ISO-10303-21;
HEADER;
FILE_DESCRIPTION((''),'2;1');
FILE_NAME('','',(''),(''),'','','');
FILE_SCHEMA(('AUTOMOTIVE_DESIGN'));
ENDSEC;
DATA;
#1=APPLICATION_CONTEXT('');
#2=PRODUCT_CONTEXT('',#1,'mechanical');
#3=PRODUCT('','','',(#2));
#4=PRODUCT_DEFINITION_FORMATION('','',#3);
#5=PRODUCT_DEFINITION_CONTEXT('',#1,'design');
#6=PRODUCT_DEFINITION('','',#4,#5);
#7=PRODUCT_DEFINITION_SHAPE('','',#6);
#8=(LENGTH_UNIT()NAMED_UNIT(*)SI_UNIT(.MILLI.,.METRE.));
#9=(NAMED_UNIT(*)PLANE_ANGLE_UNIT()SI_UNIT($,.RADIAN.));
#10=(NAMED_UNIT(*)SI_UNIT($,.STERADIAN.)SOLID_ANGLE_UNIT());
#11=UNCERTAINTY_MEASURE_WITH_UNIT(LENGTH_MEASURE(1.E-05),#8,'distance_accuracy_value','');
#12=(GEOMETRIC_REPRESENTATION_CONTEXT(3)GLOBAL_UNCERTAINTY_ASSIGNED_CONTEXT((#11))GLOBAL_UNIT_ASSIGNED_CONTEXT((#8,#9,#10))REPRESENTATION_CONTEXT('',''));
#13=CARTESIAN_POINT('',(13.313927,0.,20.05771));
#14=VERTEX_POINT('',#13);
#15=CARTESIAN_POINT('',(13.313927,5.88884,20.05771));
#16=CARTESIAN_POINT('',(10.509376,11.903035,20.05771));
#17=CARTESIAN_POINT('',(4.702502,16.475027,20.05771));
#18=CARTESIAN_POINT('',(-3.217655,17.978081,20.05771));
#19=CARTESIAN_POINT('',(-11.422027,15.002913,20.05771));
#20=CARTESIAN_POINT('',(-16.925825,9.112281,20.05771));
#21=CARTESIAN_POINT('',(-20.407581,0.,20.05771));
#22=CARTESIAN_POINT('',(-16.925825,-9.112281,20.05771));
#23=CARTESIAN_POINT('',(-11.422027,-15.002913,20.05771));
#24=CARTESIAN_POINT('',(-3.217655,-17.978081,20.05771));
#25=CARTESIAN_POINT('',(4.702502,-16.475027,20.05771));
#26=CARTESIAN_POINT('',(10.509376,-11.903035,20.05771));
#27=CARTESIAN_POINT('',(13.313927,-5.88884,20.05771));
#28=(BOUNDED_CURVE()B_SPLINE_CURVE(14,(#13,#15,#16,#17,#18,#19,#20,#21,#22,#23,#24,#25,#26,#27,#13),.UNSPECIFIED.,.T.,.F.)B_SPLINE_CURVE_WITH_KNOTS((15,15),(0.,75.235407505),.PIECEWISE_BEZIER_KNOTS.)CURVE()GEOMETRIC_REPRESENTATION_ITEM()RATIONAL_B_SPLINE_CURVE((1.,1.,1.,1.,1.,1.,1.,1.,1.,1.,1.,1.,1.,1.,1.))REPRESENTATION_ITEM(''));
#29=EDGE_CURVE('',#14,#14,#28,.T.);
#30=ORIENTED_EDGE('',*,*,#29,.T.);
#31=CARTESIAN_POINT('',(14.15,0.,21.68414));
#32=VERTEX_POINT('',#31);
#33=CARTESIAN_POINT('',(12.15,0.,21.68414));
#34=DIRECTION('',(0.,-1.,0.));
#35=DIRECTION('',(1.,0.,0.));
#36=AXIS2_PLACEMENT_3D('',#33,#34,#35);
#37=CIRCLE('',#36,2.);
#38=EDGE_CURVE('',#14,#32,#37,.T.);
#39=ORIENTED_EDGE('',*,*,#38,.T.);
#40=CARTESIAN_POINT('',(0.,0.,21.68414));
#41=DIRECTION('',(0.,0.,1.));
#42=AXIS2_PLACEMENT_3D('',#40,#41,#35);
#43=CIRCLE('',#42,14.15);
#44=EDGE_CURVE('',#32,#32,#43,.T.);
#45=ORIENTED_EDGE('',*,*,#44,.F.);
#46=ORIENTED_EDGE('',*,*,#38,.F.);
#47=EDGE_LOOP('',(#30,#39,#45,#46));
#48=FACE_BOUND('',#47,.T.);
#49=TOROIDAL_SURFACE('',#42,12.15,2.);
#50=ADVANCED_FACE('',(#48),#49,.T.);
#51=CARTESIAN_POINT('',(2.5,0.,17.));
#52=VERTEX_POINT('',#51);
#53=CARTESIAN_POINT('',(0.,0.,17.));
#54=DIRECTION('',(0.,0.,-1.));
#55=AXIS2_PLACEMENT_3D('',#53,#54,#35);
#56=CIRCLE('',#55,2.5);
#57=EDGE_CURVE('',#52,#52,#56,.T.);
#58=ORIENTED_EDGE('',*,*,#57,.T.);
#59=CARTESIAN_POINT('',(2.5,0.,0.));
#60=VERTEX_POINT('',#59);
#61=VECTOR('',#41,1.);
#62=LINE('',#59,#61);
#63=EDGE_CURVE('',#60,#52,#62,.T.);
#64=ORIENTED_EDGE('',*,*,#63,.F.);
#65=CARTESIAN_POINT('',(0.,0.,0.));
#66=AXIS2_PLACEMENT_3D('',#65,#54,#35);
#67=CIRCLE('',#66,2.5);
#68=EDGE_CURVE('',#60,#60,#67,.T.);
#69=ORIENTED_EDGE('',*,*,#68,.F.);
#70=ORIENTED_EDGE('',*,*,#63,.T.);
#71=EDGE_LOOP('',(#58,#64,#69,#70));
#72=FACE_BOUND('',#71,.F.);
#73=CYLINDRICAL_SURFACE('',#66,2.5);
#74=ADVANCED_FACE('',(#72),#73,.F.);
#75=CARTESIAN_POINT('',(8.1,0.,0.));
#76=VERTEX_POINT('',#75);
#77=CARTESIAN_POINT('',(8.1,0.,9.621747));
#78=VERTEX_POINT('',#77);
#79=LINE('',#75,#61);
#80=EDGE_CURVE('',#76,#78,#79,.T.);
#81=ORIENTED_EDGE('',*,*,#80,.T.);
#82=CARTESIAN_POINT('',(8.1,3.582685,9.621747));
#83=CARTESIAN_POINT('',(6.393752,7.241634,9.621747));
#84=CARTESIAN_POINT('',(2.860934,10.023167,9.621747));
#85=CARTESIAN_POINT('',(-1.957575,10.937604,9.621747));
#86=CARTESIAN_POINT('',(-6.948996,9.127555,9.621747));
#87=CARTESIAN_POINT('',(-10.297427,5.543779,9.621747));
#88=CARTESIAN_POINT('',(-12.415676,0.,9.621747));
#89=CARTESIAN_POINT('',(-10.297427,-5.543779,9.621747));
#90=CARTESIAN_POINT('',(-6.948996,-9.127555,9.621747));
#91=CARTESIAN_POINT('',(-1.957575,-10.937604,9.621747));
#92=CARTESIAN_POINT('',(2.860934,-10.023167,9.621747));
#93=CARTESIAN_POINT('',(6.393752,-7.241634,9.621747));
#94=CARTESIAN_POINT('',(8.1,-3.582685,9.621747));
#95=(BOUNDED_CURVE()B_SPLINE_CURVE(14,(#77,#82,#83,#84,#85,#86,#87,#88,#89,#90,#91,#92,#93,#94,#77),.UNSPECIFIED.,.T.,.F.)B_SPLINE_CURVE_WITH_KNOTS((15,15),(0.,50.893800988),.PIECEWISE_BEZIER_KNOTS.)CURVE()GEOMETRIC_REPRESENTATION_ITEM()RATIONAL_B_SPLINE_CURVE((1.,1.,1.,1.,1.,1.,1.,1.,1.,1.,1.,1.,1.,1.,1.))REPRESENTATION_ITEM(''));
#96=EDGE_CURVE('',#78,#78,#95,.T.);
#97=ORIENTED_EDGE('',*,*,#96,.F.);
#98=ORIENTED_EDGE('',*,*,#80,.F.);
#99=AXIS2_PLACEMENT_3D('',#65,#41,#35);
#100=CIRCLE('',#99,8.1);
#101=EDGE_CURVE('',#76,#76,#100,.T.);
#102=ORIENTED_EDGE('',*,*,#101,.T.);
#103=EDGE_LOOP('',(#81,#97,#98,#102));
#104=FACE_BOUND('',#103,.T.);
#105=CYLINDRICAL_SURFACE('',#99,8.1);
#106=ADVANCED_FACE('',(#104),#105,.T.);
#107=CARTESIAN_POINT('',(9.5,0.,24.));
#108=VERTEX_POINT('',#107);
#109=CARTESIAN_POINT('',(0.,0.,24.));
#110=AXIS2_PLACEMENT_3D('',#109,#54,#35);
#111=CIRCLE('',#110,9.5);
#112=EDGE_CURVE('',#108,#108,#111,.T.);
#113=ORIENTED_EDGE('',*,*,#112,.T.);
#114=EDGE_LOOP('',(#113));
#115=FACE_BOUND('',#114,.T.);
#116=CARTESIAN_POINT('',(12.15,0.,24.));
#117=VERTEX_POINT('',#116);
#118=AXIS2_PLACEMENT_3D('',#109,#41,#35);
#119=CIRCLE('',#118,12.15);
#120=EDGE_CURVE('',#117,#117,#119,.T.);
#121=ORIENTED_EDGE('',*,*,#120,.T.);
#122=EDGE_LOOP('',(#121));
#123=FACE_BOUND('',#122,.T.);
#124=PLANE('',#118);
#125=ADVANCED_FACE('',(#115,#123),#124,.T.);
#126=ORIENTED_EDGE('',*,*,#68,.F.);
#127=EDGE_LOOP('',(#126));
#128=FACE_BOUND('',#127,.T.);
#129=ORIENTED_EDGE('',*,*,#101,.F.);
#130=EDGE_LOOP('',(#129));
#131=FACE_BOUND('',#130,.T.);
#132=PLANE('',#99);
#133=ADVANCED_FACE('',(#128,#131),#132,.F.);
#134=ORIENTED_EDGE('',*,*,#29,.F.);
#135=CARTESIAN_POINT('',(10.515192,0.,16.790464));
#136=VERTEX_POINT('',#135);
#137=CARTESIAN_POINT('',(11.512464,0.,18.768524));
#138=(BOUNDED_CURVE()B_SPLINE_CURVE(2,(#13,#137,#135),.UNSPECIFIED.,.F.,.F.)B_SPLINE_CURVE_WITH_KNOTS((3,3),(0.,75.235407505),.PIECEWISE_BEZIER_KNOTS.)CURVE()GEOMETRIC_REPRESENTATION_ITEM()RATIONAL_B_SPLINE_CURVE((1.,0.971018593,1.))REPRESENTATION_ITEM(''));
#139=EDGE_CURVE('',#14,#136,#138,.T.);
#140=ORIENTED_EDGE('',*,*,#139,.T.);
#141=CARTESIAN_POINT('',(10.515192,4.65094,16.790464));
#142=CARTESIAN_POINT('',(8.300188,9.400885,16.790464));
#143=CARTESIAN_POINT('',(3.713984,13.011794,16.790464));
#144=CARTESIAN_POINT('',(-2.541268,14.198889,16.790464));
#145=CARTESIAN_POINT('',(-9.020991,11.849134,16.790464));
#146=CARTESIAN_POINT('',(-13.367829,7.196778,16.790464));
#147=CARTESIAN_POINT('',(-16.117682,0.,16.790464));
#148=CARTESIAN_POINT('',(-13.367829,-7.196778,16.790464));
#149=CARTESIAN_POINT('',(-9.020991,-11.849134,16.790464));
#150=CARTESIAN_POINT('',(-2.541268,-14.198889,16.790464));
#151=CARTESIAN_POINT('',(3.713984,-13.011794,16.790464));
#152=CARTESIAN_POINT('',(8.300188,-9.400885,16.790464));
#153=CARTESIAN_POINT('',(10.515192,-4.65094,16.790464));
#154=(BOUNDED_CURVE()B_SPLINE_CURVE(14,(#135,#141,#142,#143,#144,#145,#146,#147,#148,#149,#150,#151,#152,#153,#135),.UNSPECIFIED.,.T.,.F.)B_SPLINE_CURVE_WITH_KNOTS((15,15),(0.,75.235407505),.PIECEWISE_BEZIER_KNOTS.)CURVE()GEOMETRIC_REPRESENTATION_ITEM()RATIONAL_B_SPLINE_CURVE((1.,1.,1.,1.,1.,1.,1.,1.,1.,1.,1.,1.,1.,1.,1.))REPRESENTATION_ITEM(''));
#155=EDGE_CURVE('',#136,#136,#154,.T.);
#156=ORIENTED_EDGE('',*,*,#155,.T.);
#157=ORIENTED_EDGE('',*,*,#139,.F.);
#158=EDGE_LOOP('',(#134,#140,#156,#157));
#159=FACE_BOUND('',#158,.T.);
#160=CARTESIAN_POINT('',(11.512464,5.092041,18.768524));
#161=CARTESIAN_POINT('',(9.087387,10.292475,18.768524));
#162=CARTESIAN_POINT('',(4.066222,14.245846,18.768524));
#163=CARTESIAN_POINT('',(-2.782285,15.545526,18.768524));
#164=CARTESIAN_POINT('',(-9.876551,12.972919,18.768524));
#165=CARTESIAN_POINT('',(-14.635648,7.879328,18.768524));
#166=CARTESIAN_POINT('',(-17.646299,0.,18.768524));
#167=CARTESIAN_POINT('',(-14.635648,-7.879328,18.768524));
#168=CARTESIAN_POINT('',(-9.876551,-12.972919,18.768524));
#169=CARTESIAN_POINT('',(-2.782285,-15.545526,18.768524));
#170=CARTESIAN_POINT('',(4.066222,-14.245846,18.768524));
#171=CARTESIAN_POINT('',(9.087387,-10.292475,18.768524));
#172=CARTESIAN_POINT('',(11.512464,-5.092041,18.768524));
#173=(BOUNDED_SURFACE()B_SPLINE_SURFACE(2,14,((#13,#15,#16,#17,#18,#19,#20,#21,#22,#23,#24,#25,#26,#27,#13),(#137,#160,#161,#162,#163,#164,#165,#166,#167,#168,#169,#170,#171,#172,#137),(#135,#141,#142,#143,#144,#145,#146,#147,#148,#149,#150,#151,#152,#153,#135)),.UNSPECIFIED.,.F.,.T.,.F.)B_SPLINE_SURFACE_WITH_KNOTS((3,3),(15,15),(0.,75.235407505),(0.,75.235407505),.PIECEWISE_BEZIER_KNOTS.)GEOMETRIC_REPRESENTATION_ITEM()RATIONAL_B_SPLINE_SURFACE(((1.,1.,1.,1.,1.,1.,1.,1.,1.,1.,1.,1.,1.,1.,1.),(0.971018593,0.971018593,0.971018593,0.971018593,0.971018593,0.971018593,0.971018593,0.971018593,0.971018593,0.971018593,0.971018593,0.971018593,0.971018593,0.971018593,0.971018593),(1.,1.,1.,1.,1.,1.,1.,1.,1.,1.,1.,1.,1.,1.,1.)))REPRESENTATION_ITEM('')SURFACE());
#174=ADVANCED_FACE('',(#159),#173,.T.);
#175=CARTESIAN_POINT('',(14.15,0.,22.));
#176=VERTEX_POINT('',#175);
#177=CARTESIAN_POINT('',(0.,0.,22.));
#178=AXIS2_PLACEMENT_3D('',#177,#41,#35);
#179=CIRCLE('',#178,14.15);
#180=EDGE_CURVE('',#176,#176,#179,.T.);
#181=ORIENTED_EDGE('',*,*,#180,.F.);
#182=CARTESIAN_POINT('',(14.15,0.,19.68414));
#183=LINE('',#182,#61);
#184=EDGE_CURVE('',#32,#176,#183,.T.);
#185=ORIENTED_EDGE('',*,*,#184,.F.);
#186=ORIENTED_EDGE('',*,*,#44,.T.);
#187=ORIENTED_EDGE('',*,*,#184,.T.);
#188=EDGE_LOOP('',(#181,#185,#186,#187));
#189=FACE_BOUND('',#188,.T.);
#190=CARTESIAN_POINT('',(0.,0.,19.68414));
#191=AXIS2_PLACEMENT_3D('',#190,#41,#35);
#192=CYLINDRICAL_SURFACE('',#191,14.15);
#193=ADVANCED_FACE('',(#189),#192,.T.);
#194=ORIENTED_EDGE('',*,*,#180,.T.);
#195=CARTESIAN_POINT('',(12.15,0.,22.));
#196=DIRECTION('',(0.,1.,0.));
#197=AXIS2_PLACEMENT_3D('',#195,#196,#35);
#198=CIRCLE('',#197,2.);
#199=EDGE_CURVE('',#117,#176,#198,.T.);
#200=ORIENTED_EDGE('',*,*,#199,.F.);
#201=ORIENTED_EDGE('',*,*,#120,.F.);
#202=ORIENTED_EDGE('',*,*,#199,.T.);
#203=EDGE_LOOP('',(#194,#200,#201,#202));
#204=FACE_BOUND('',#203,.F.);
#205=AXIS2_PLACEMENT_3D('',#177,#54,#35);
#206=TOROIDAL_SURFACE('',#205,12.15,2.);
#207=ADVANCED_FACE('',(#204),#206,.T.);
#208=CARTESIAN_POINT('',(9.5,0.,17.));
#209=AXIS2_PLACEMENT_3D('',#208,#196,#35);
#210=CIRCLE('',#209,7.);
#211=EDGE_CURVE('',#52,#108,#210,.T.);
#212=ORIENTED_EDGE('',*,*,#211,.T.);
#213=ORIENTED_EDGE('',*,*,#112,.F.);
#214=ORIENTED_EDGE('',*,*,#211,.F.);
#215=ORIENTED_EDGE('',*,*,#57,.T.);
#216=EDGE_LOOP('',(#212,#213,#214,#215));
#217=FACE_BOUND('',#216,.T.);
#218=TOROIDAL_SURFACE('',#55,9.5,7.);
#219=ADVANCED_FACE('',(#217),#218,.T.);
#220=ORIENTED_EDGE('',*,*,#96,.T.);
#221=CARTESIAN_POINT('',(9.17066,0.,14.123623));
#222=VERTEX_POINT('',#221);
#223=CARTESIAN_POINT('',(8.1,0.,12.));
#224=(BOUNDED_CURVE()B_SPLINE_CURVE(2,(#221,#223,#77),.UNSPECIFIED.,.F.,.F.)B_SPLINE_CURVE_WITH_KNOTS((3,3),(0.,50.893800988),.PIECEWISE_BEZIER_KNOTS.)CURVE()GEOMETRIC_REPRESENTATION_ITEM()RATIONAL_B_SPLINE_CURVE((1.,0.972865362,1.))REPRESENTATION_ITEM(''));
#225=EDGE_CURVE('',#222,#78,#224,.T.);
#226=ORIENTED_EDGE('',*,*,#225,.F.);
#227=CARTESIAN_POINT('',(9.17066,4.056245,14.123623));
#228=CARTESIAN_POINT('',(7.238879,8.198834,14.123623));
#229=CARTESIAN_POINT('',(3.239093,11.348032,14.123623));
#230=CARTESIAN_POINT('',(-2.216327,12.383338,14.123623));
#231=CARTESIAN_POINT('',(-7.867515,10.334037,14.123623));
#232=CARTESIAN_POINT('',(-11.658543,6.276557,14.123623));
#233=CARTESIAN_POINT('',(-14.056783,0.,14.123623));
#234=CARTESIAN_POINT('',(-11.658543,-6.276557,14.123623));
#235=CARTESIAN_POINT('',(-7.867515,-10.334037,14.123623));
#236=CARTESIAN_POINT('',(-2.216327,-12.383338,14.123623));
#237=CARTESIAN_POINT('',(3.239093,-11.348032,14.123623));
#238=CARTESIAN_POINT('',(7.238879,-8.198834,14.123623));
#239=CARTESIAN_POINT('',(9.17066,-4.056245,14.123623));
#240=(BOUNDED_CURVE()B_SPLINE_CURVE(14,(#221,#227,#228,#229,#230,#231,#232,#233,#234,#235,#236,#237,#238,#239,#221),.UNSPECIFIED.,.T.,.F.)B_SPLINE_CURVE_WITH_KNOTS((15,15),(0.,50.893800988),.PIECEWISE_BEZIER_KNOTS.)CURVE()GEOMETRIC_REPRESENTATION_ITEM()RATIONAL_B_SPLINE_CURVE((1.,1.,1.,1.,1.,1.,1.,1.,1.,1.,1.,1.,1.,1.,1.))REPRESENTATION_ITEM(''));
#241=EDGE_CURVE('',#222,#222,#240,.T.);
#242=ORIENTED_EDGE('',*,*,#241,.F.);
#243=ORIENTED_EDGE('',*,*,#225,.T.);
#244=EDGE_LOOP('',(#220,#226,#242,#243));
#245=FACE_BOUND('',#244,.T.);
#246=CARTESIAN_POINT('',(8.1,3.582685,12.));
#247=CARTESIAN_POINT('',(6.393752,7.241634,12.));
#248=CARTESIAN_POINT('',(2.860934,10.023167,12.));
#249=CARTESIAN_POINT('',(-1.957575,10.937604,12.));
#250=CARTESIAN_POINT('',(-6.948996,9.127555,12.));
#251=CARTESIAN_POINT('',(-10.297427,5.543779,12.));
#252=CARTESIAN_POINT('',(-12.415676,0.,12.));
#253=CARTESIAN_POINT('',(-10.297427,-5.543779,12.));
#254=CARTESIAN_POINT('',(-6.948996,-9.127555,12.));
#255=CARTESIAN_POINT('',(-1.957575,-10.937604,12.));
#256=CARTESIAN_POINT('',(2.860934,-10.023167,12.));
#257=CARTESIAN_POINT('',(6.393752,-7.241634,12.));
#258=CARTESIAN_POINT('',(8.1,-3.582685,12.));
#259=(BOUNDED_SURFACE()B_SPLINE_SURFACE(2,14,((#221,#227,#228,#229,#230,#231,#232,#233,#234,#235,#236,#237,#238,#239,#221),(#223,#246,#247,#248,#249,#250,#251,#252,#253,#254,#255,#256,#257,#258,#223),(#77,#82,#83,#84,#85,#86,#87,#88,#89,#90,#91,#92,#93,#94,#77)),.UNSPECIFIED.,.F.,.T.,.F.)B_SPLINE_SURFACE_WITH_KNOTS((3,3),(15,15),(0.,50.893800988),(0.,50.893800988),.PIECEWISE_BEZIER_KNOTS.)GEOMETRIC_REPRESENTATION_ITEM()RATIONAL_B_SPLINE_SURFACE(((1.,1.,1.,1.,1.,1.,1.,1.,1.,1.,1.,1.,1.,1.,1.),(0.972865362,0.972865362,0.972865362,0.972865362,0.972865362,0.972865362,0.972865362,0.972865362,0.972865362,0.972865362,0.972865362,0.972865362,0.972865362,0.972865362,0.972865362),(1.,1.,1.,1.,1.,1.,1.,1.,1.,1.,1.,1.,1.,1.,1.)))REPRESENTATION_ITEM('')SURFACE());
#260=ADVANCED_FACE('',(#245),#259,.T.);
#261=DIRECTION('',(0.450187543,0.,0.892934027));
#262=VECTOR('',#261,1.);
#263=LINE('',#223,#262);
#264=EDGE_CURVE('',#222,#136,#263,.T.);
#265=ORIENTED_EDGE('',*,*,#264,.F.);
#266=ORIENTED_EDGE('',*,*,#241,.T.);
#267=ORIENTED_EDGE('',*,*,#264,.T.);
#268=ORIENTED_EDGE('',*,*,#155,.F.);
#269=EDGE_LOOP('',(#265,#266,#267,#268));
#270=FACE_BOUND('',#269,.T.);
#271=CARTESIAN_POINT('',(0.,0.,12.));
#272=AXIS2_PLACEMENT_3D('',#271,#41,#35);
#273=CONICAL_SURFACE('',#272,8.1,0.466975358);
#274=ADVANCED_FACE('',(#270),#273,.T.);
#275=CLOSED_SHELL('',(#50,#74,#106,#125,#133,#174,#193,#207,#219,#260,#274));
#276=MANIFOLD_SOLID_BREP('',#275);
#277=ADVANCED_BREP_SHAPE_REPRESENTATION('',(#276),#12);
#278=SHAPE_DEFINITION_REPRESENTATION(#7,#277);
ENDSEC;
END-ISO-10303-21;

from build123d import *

# Parameters (mm, degrees)
F2_R     = 2.5
F3_DEPTH = 25
F4_R     = 2
F5_R     = 9
F6_R     = 10
F7_R     = 7


with BuildPart() as f1:
    # F0 (on Front) → F1 (revolve)
    with BuildSketch(Plane.XZ):
        Polygon((0, 24), (0, 0), (8.1, 0), (8.1, 12), (11.974087, 19.68414), (14.15, 19.68414), (14.15, 24), align=None)
    revolve(axis=Axis((0, 0, 12), (0, 0, 1)))

    # F2 (on face) → F3 (cut)
    with BuildSketch(Plane(origin=(0, 0, 0), x_dir=(1, 0, 0), z_dir=(0, 0, -1))):
        Circle(F2_R)
    extrude(amount=-F3_DEPTH, mode=Mode.SUBTRACT)

    # F4
    f4_edges = [f1.edges().sort_by_distance(p)[0] for p in [
        (-14.15, 0, 24),
        (-14.15, 0, 19.68414),
    ]]
    fillet(f4_edges, radius=F4_R)

    # F5
    f5_edges = [f1.edges().sort_by_distance(p)[0] for p in [
        (-11.974087, 0, 19.68414),
    ]]
    fillet(f5_edges, radius=F5_R)

    # F6
    f6_edges = [f1.edges().sort_by_distance(p)[0] for p in [
        (-8.1, 0, 12),
    ]]
    fillet(f6_edges, radius=F6_R)

    # F7
    f7_edges = [f1.edges().sort_by_distance(p)[0] for p in [
        (-2.5, 0, 24),
    ]]
    fillet(f7_edges, radius=F7_R)


solid = f1.part
